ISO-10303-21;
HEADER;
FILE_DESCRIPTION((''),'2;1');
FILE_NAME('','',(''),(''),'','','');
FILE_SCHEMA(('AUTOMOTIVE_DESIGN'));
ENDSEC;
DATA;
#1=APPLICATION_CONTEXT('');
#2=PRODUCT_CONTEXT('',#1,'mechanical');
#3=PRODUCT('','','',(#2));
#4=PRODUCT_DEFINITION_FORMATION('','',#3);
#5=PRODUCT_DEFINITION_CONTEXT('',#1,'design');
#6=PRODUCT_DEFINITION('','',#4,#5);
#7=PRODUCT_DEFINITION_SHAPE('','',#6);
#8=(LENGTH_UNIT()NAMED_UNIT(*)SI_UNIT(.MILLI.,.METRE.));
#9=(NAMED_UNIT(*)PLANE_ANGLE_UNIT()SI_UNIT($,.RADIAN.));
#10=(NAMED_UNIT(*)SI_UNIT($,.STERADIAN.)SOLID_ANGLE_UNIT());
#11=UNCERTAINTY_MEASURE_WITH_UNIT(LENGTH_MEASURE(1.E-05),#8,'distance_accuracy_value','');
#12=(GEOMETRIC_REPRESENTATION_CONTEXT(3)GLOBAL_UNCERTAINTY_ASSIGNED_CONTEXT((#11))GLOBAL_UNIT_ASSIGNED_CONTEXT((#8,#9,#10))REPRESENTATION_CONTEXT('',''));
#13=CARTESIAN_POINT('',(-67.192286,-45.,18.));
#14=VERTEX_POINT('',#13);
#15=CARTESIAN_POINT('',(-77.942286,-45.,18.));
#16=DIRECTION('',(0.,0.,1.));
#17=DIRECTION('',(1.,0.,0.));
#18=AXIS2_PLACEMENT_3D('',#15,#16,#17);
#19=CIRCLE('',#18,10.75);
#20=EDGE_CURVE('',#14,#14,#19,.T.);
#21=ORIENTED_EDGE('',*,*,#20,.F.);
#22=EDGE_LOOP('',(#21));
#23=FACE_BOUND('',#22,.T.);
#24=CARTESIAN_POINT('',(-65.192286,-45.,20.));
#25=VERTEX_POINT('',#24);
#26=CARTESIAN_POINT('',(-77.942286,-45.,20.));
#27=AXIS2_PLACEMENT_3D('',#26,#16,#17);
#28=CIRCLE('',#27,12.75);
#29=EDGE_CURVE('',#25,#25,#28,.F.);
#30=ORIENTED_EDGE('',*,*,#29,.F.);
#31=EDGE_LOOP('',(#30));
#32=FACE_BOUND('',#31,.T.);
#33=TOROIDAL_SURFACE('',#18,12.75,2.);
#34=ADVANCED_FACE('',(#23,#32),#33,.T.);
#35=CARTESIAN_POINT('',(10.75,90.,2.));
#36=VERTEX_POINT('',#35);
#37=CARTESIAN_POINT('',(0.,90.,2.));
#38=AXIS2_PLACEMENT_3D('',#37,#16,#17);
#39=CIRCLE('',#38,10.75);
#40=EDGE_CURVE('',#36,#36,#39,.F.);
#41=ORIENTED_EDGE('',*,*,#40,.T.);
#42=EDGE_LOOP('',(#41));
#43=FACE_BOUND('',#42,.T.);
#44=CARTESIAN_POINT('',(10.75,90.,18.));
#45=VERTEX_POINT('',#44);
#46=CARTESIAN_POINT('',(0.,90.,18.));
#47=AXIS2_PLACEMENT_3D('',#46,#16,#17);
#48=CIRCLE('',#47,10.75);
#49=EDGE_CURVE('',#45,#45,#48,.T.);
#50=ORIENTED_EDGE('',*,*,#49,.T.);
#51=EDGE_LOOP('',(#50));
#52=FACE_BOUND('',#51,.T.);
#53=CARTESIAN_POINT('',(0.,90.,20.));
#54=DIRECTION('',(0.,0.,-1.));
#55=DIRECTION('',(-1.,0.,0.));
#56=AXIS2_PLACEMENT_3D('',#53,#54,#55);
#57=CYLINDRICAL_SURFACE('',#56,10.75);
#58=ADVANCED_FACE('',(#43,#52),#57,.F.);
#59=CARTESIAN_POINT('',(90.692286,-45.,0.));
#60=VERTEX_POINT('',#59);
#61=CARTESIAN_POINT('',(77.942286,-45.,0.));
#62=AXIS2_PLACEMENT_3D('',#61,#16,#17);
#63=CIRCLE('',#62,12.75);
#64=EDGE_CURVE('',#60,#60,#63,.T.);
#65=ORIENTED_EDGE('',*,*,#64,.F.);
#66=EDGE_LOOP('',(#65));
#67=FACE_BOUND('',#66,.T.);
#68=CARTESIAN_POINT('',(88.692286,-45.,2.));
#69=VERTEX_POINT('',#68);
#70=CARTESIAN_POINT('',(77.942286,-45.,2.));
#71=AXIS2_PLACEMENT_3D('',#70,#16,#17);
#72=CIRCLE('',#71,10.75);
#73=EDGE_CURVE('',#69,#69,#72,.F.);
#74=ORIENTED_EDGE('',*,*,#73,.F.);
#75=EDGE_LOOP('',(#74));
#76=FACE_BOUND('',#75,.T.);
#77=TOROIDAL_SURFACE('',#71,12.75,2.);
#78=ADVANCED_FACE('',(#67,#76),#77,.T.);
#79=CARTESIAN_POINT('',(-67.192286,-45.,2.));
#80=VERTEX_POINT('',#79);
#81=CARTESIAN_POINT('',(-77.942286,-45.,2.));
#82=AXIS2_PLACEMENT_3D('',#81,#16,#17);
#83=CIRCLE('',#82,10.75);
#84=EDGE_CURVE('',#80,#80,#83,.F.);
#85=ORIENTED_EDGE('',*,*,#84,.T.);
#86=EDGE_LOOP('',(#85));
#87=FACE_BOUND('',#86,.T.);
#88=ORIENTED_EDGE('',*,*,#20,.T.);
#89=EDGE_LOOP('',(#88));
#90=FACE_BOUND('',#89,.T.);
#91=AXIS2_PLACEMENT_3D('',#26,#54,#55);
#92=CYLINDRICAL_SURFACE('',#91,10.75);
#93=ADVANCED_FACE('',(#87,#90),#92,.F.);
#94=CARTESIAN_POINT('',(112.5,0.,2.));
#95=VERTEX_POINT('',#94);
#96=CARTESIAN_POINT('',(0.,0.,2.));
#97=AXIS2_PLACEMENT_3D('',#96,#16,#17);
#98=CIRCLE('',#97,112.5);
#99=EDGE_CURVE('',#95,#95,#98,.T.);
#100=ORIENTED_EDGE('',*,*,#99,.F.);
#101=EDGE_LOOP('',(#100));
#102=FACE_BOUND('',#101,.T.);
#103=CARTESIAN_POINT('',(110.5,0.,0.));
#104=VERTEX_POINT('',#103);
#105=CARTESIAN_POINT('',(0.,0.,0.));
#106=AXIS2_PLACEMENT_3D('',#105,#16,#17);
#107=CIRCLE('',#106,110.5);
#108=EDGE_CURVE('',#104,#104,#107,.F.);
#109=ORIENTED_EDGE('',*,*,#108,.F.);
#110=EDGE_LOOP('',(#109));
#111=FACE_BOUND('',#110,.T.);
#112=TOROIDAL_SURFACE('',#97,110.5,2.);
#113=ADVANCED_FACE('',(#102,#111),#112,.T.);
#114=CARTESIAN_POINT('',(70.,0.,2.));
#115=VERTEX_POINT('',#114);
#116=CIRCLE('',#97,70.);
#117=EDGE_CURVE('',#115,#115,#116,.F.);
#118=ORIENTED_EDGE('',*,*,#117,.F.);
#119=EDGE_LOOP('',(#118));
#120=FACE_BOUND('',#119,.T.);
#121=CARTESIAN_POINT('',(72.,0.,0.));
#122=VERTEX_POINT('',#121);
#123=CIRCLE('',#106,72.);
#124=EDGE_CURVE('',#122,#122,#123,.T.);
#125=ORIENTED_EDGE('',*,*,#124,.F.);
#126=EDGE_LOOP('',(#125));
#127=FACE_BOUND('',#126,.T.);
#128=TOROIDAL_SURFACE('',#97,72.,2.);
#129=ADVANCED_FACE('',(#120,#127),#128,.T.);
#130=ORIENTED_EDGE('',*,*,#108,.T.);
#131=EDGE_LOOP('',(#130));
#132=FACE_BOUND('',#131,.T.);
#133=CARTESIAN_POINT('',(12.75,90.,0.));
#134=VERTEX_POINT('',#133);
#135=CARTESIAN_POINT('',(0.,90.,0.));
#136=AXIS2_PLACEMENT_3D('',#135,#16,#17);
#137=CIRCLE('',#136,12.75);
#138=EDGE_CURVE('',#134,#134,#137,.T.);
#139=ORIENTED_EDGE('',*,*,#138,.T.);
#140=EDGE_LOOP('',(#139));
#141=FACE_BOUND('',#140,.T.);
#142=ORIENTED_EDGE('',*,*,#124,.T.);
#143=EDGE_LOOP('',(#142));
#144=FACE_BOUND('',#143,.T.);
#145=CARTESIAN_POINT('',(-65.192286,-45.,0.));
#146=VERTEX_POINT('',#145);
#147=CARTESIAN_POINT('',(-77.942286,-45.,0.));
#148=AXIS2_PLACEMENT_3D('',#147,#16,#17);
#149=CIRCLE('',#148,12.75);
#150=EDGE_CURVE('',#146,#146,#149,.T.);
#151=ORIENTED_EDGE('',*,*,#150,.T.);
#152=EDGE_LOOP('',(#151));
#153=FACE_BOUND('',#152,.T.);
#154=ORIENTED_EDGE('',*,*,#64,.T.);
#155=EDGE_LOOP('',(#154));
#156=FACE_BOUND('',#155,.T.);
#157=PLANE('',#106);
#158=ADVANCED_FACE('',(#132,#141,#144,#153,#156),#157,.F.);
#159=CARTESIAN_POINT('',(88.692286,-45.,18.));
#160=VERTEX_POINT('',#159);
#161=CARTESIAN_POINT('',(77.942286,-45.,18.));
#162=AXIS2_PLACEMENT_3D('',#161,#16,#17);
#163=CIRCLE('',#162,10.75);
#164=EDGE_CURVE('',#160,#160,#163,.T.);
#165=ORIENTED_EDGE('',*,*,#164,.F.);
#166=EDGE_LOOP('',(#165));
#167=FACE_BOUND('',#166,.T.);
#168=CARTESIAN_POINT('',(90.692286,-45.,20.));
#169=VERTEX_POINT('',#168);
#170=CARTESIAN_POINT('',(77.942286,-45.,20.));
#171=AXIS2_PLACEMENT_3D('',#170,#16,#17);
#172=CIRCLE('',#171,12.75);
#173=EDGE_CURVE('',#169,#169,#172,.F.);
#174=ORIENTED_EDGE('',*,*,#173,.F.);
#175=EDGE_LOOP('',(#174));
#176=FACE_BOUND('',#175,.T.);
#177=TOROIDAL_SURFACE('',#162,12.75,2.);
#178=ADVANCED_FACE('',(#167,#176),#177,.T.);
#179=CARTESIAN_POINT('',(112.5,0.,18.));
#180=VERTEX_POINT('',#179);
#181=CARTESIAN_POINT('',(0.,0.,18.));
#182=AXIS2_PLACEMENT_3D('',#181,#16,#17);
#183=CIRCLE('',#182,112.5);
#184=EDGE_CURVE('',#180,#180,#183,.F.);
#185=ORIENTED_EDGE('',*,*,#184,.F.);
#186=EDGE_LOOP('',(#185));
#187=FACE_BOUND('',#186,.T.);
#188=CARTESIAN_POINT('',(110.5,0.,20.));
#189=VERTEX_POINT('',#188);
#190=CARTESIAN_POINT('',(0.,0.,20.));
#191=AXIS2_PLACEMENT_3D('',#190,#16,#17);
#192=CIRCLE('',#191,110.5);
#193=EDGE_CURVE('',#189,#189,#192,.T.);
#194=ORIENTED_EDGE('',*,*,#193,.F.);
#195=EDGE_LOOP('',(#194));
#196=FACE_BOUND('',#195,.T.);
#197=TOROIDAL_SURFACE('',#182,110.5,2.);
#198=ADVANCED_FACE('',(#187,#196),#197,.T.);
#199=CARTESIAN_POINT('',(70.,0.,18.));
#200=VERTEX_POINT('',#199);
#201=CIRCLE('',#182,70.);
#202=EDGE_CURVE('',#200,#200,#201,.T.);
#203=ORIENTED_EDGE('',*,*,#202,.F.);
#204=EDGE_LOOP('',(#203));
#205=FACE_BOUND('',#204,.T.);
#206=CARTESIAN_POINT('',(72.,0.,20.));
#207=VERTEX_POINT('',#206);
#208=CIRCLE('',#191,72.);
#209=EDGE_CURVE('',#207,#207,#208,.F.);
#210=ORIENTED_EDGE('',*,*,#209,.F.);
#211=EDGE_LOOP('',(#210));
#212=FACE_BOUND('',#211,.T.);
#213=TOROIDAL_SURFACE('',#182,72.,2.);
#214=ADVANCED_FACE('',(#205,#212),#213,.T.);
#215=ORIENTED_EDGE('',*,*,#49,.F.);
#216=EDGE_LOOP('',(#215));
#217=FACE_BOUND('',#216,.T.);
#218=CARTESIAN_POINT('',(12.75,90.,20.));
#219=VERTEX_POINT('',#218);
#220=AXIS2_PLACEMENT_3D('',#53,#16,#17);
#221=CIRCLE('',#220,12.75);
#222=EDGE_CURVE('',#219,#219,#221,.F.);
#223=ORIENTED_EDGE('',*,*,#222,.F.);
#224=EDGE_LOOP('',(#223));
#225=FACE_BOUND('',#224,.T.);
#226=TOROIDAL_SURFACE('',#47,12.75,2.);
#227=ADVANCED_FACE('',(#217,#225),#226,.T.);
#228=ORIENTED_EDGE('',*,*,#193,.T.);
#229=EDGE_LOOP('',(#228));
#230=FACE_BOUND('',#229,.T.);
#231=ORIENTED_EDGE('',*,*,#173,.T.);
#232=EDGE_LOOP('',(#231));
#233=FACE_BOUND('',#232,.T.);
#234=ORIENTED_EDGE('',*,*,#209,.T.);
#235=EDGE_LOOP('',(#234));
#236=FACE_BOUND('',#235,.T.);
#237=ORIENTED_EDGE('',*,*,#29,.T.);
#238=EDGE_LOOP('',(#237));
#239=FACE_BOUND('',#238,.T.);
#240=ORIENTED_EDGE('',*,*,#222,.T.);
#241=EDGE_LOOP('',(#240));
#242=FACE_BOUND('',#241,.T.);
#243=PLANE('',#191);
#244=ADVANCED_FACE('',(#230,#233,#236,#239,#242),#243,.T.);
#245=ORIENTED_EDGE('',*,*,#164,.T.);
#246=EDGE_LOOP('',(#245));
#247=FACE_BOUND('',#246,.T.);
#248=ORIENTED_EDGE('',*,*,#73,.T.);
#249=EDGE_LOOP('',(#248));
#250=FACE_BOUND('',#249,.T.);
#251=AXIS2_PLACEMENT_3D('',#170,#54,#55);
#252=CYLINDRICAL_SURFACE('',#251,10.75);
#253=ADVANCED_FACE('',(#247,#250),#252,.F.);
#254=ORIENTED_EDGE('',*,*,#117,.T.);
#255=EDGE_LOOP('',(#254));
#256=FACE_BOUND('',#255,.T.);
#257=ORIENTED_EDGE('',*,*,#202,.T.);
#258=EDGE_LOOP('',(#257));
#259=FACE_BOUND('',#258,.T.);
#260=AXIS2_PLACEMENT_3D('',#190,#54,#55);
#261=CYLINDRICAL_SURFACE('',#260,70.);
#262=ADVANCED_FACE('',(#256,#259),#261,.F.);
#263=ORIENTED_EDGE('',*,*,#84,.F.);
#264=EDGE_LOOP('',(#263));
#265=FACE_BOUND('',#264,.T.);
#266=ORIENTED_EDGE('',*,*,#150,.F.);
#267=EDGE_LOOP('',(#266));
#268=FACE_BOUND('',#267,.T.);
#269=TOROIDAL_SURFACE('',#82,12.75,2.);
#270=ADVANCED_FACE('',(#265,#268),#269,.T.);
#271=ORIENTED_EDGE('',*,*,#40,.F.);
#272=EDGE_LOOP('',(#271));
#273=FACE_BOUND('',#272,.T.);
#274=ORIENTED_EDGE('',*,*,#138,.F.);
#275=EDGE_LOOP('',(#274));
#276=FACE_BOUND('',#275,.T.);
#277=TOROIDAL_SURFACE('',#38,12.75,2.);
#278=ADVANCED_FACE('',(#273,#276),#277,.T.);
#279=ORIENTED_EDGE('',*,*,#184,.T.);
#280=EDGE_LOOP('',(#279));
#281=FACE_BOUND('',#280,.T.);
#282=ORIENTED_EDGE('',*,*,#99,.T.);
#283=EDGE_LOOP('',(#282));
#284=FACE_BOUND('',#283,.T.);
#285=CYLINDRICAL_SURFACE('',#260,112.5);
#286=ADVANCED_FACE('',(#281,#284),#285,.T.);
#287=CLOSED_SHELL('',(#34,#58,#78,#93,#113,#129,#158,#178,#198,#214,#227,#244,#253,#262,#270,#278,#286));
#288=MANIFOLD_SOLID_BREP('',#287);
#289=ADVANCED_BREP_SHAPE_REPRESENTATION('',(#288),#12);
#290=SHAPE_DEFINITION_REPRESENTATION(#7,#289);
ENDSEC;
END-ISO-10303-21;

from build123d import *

# Parameters (mm, degrees)
SKETCH1_R           = 112.5
SKETCH1_R_2         = 10.75
SKETCH1_R_3         = 70
BOSS_EXTRUDE1_DEPTH = 20
FILLET8_R           = 2


with BuildPart() as part:
    # Sketch1 → Boss-Extrude1 (new body)
    with BuildSketch(Plane.XY):
        Circle(SKETCH1_R)
        with Locations((0, 90)):
            Circle(SKETCH1_R_2, mode=Mode.SUBTRACT)
        with Locations((77.942286341, -45)):
            Circle(SKETCH1_R_2, mode=Mode.SUBTRACT)
        with Locations((-77.942286341, -45)):
            Circle(SKETCH1_R_2, mode=Mode.SUBTRACT)
        Circle(SKETCH1_R_3, mode=Mode.SUBTRACT)
    extrude(amount=BOSS_EXTRUDE1_DEPTH)

    # Fillet8
    fillet8_edges = [part.edges().sort_by_distance(p)[0] for p in [
        (-88.692286341, -45, 0),
        (-88.692286341, -45, 20),
        (-70, 0, 0),
        (-70, 0, 20),
        (-112.5, 0, 0),
        (-112.5, 0, 20),
        (-10.75, 90, 0),
        (-10.75, 90, 20),
        (67.192286341, -45, 0),
        (67.192286341, -45, 20),
    ]]
    fillet(fillet8_edges, radius=FILLET8_R)


solid = part.part
